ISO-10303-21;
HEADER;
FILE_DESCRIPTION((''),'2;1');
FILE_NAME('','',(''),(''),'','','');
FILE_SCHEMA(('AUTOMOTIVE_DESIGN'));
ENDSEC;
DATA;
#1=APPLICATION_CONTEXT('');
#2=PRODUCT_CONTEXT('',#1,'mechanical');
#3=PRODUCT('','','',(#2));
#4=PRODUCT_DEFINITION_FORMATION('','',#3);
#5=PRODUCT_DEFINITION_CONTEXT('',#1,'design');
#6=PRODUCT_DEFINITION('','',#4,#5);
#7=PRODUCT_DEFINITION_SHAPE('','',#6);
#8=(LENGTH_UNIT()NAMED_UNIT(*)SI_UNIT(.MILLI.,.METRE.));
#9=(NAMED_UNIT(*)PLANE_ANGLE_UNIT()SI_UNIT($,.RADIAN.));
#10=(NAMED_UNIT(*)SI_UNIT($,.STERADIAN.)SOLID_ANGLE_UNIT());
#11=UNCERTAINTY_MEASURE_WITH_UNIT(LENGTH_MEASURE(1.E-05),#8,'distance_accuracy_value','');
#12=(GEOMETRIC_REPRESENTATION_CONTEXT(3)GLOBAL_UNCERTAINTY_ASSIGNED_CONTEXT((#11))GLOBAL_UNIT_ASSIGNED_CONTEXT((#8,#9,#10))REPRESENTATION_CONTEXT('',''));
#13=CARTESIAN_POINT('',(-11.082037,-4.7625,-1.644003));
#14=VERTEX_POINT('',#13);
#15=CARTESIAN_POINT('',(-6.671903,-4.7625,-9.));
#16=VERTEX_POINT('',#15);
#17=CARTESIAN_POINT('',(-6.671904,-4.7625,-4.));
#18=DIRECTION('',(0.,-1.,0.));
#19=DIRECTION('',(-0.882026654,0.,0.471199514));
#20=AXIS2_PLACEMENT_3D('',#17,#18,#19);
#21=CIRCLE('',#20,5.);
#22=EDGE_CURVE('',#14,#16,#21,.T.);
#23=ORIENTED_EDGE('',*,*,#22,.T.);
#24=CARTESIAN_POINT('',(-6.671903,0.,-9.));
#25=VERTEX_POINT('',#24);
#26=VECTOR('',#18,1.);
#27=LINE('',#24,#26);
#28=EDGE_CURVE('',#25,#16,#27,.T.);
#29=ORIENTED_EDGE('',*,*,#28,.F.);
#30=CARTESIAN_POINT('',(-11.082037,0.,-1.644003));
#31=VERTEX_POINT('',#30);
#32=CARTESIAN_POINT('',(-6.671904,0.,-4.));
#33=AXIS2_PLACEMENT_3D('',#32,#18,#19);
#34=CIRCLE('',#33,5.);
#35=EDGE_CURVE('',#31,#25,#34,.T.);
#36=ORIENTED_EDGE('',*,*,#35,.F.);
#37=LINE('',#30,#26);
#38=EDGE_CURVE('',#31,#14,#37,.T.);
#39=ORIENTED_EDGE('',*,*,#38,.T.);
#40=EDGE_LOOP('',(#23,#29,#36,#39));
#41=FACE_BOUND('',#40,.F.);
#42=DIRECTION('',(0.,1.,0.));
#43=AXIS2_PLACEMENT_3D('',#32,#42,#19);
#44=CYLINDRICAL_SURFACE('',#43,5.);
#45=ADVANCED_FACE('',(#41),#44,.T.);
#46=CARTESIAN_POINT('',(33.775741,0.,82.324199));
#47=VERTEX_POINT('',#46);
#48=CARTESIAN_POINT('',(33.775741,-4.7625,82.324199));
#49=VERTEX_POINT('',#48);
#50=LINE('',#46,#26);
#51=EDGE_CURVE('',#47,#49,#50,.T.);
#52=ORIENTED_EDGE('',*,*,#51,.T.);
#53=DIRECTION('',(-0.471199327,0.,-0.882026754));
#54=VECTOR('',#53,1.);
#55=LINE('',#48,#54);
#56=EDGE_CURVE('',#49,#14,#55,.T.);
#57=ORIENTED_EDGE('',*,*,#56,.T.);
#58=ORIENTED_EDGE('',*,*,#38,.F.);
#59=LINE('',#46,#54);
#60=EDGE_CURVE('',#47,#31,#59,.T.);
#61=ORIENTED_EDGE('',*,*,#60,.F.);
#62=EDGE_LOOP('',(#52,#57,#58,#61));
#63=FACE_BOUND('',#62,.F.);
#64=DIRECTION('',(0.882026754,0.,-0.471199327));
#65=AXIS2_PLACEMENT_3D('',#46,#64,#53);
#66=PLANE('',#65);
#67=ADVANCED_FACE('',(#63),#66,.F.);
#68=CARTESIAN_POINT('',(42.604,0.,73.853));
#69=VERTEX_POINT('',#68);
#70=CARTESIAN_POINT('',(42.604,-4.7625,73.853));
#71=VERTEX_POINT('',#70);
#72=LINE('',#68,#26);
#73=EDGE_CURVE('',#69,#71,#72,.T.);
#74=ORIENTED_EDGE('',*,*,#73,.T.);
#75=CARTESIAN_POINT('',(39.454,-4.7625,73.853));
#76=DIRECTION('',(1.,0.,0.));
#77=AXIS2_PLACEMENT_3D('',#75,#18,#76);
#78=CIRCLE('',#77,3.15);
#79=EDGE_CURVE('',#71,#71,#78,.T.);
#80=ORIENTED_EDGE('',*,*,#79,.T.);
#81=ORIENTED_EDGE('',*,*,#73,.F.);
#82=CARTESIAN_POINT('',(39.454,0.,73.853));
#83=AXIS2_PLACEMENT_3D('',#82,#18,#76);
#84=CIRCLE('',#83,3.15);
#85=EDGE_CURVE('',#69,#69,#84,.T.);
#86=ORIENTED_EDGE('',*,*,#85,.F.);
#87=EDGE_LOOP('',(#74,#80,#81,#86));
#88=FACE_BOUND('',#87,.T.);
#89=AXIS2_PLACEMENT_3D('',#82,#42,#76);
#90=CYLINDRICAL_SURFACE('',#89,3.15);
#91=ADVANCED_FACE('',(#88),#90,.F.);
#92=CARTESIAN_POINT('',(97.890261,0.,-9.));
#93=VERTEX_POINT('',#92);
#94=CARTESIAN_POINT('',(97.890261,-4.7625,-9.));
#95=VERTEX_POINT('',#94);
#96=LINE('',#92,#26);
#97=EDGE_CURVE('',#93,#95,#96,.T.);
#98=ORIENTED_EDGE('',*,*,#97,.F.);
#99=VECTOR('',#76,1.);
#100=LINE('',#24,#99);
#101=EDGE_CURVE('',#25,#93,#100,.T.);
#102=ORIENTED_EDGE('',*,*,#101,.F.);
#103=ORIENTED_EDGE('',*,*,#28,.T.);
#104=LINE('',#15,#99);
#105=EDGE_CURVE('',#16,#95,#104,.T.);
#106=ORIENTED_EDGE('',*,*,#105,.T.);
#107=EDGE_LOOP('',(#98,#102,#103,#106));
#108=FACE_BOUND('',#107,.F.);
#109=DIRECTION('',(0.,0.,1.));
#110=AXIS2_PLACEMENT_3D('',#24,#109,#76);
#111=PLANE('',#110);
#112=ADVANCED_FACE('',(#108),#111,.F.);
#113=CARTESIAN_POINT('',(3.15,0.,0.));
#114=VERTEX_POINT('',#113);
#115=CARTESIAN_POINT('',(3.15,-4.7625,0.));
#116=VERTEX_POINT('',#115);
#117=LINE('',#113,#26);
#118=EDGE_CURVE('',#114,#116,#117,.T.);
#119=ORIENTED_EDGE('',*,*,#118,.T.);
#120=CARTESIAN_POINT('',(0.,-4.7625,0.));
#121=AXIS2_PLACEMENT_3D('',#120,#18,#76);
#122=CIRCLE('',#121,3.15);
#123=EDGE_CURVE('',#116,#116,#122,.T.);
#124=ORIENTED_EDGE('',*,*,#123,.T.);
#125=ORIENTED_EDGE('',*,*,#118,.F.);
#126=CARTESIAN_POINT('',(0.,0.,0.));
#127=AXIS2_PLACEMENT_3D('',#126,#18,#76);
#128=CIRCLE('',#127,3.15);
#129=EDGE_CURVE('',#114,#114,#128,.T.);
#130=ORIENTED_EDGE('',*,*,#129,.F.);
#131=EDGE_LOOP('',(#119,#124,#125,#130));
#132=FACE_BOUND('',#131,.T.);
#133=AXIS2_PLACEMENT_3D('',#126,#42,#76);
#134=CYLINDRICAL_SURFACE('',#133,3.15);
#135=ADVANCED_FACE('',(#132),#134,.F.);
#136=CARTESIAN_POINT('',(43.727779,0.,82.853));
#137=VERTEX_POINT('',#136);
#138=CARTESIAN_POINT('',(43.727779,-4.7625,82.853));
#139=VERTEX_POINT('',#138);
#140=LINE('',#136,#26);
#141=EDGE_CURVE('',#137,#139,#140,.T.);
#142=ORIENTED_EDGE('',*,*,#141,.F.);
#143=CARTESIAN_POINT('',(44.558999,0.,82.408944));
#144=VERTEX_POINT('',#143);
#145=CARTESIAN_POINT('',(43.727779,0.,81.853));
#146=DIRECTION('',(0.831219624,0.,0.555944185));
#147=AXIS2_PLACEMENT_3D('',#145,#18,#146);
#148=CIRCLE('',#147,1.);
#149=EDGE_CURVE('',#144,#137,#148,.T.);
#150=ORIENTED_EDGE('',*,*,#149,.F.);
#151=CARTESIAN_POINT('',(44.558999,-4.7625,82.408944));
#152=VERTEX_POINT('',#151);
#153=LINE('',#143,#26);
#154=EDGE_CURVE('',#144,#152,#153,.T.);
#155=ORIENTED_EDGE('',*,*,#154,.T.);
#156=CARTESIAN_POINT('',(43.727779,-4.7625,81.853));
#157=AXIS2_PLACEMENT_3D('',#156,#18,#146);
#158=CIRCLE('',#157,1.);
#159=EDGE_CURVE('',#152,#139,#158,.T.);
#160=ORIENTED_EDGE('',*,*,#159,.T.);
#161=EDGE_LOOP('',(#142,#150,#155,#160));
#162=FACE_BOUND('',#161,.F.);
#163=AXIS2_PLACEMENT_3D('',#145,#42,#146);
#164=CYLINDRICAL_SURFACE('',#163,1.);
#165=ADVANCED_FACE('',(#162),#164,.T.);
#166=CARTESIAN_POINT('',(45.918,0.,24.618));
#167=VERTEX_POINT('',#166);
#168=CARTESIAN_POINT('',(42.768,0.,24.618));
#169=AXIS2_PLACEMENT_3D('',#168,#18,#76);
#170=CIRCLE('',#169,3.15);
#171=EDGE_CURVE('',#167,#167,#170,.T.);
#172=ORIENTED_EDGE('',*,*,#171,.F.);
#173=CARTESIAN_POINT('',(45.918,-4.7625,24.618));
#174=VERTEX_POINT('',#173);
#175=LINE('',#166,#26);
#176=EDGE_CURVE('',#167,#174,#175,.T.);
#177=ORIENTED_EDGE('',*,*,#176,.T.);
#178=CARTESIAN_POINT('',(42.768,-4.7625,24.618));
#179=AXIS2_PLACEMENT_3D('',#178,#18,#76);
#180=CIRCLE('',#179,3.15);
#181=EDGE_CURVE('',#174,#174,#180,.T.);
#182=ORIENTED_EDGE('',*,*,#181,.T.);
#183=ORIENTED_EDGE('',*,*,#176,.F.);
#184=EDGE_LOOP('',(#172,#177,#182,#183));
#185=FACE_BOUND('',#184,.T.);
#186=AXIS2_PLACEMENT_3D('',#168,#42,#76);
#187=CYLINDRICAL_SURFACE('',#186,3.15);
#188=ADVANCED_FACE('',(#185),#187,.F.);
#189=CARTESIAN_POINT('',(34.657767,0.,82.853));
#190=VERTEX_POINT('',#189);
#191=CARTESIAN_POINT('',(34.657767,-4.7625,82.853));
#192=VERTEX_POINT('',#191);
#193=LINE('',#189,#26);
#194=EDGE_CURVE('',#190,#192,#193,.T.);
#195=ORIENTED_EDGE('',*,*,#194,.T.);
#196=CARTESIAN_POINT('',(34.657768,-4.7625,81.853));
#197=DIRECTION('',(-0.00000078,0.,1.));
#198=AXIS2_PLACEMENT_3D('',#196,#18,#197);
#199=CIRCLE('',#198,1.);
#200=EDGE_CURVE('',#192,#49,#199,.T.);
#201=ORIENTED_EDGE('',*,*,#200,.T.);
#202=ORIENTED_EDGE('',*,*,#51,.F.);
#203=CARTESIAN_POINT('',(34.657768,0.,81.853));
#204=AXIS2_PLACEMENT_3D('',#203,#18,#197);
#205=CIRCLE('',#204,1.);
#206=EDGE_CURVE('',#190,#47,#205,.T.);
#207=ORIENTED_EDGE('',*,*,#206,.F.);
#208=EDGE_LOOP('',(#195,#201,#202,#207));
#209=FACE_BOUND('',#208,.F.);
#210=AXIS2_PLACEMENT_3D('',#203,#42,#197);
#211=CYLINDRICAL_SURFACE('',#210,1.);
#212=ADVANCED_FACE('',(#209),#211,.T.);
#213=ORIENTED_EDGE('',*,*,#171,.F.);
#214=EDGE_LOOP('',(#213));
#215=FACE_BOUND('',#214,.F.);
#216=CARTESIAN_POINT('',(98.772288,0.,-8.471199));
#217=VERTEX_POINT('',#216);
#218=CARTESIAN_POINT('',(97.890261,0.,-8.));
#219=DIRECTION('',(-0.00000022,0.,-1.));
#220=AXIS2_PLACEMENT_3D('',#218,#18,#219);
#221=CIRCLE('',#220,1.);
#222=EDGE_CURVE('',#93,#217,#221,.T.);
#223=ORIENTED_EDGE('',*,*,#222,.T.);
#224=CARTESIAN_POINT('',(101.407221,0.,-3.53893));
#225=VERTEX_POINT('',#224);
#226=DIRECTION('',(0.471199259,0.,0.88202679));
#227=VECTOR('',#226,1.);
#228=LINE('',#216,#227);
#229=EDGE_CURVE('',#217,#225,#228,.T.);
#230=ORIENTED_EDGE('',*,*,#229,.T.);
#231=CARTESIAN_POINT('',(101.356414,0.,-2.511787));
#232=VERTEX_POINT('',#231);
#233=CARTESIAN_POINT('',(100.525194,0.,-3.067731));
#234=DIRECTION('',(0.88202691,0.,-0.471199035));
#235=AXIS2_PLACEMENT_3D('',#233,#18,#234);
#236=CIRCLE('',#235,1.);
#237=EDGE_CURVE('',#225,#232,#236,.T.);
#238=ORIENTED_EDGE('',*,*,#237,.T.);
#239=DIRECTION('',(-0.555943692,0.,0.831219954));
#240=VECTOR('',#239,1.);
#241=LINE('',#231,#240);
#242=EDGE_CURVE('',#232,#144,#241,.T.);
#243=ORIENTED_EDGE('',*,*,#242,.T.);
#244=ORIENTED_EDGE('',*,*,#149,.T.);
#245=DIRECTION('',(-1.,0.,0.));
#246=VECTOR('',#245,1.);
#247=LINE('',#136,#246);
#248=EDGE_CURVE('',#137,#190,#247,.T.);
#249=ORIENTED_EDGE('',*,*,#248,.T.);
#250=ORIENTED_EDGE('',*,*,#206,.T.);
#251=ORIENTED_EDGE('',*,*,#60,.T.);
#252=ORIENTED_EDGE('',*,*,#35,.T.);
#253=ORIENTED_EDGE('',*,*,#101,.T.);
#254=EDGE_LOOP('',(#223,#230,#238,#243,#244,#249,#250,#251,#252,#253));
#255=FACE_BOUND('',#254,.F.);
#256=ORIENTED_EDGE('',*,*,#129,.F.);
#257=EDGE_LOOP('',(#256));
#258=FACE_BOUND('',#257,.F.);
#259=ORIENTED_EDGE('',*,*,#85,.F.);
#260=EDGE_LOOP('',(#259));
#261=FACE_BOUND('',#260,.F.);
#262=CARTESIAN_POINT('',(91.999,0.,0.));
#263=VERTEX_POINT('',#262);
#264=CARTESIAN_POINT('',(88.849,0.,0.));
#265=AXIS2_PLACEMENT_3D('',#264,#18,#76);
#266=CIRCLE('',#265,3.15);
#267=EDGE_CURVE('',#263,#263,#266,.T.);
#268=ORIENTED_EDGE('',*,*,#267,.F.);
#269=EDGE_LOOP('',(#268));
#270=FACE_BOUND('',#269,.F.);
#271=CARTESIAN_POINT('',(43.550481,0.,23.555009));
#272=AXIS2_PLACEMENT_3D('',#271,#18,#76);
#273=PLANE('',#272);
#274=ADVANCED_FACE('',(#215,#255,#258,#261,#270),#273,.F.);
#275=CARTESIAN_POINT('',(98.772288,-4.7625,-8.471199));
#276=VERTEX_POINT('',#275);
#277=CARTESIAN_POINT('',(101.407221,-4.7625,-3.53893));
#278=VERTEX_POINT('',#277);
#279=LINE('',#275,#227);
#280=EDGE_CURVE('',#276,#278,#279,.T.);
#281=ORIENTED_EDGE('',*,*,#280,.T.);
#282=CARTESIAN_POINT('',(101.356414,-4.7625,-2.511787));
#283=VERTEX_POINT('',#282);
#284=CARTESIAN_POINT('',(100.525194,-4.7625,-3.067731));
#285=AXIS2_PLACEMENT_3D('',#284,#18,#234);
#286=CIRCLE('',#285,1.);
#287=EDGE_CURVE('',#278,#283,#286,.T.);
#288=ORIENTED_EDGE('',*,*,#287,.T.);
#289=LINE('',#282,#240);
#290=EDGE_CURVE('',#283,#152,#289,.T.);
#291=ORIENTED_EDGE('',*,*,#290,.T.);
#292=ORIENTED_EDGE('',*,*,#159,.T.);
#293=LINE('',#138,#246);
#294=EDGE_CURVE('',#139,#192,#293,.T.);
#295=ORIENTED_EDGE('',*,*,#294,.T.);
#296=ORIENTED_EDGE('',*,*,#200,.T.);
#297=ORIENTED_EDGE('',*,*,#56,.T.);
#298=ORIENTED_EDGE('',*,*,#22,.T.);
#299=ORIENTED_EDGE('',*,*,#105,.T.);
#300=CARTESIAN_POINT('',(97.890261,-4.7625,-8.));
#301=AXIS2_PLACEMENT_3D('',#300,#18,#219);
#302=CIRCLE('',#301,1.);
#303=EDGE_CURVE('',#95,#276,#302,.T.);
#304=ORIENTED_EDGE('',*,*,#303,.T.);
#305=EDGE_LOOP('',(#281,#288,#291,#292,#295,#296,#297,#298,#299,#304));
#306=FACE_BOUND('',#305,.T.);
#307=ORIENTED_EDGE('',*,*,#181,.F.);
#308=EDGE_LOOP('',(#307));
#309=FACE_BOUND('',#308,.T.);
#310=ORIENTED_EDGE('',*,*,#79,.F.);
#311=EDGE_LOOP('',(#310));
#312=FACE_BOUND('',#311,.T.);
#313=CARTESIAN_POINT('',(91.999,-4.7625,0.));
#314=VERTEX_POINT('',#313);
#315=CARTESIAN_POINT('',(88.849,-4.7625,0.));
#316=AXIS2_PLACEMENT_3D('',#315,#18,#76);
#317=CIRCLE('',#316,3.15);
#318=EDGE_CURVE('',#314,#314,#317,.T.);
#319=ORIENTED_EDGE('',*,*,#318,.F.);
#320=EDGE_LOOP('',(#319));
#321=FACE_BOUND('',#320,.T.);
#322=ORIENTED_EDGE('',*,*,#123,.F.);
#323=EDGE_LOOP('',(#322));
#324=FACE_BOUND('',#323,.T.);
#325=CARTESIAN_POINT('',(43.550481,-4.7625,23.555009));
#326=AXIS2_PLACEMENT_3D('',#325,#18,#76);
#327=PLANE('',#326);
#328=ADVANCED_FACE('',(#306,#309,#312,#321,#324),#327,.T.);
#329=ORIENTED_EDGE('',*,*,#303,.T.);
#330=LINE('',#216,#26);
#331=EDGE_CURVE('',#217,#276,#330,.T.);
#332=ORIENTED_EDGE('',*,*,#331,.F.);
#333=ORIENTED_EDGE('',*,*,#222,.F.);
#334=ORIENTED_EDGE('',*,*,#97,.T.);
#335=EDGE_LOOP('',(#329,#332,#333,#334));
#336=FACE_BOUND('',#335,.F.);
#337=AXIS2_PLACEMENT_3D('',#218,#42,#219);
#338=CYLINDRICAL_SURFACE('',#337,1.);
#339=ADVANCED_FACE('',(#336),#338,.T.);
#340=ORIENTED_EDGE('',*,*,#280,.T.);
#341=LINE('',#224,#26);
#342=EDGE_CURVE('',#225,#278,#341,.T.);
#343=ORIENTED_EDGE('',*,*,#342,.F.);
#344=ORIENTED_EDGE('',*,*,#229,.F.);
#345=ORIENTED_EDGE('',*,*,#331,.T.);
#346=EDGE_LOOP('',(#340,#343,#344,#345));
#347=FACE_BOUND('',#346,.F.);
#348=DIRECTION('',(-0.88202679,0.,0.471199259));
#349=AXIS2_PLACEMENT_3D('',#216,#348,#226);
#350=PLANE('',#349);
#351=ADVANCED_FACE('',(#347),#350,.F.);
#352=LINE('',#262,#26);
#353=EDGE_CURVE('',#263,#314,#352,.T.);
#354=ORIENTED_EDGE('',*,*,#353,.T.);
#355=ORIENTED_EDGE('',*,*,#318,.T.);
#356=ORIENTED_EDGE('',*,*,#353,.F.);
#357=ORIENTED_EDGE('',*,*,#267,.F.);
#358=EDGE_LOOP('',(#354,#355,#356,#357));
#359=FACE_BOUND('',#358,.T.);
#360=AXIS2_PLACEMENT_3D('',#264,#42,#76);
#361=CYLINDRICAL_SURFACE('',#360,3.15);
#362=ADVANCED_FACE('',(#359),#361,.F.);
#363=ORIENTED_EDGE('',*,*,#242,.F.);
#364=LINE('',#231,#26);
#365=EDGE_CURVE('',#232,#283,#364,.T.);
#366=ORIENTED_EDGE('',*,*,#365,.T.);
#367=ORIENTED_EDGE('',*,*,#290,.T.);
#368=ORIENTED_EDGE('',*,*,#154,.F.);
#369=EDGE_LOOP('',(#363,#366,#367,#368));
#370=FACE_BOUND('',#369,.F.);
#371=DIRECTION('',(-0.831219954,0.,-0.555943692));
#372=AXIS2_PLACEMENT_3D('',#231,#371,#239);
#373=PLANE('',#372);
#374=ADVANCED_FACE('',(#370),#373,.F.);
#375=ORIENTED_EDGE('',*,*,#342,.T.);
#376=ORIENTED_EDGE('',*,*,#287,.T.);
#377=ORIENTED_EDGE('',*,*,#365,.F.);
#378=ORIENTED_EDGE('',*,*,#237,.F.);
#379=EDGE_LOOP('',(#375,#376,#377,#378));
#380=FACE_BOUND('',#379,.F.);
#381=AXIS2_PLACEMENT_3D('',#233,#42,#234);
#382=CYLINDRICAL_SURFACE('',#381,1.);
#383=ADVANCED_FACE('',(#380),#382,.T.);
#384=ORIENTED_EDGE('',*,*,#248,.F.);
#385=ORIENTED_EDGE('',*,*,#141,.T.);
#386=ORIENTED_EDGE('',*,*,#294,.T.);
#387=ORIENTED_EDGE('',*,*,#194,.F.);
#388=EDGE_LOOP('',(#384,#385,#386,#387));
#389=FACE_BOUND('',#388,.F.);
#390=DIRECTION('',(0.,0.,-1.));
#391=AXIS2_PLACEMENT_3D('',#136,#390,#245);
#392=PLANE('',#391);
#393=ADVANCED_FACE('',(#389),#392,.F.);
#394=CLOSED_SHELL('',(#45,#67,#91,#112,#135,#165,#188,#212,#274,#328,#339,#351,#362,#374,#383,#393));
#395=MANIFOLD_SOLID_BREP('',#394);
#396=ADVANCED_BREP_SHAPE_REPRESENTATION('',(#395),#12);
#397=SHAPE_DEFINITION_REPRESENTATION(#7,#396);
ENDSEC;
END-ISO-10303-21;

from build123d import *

# Parameters (mm, degrees)
F0_R     = 3.15
F1_DEPTH = 4.7625


with BuildPart() as f1:
    # F0 (on Front) → F1 (new body)
    with BuildSketch(Plane.XZ):
        with BuildLine():
            Line((-6.671903, -9), (97.890261, -9))
            ThreePointArc((97.890261, -9), (98.40446, -8.857671), (98.772288, -8.471199))
            Line((98.772288, -8.471199), (101.407221, -3.53893))
            ThreePointArc((101.407221, -3.53893), (101.523973, -3.018327), (101.356414, -2.511787))
            Line((101.356414, -2.511787), (44.558999, 82.408944))
            ThreePointArc((44.558999, 82.408944), (44.198978, 82.735027), (43.727779, 82.853))
            Line((43.727779, 82.853), (34.657767, 82.853))
            ThreePointArc((34.657767, 82.853), (34.143569, 82.710671), (33.775741, 82.324199))
            Line((33.775741, 82.324199), (-11.082037, -1.644003))
            ThreePointArc((-11.082037, -1.644003), (-10.960259, -6.570994), (-6.671903, -9))
        make_face()
        Circle(F0_R, mode=Mode.SUBTRACT)
        with Locations((42.768, 24.618)):
            Circle(F0_R, mode=Mode.SUBTRACT)
        with Locations((88.849, 0)):
            Circle(F0_R, mode=Mode.SUBTRACT)
        with Locations((39.454, 73.853)):
            Circle(F0_R, mode=Mode.SUBTRACT)
    extrude(amount=F1_DEPTH)


solid = f1.part
